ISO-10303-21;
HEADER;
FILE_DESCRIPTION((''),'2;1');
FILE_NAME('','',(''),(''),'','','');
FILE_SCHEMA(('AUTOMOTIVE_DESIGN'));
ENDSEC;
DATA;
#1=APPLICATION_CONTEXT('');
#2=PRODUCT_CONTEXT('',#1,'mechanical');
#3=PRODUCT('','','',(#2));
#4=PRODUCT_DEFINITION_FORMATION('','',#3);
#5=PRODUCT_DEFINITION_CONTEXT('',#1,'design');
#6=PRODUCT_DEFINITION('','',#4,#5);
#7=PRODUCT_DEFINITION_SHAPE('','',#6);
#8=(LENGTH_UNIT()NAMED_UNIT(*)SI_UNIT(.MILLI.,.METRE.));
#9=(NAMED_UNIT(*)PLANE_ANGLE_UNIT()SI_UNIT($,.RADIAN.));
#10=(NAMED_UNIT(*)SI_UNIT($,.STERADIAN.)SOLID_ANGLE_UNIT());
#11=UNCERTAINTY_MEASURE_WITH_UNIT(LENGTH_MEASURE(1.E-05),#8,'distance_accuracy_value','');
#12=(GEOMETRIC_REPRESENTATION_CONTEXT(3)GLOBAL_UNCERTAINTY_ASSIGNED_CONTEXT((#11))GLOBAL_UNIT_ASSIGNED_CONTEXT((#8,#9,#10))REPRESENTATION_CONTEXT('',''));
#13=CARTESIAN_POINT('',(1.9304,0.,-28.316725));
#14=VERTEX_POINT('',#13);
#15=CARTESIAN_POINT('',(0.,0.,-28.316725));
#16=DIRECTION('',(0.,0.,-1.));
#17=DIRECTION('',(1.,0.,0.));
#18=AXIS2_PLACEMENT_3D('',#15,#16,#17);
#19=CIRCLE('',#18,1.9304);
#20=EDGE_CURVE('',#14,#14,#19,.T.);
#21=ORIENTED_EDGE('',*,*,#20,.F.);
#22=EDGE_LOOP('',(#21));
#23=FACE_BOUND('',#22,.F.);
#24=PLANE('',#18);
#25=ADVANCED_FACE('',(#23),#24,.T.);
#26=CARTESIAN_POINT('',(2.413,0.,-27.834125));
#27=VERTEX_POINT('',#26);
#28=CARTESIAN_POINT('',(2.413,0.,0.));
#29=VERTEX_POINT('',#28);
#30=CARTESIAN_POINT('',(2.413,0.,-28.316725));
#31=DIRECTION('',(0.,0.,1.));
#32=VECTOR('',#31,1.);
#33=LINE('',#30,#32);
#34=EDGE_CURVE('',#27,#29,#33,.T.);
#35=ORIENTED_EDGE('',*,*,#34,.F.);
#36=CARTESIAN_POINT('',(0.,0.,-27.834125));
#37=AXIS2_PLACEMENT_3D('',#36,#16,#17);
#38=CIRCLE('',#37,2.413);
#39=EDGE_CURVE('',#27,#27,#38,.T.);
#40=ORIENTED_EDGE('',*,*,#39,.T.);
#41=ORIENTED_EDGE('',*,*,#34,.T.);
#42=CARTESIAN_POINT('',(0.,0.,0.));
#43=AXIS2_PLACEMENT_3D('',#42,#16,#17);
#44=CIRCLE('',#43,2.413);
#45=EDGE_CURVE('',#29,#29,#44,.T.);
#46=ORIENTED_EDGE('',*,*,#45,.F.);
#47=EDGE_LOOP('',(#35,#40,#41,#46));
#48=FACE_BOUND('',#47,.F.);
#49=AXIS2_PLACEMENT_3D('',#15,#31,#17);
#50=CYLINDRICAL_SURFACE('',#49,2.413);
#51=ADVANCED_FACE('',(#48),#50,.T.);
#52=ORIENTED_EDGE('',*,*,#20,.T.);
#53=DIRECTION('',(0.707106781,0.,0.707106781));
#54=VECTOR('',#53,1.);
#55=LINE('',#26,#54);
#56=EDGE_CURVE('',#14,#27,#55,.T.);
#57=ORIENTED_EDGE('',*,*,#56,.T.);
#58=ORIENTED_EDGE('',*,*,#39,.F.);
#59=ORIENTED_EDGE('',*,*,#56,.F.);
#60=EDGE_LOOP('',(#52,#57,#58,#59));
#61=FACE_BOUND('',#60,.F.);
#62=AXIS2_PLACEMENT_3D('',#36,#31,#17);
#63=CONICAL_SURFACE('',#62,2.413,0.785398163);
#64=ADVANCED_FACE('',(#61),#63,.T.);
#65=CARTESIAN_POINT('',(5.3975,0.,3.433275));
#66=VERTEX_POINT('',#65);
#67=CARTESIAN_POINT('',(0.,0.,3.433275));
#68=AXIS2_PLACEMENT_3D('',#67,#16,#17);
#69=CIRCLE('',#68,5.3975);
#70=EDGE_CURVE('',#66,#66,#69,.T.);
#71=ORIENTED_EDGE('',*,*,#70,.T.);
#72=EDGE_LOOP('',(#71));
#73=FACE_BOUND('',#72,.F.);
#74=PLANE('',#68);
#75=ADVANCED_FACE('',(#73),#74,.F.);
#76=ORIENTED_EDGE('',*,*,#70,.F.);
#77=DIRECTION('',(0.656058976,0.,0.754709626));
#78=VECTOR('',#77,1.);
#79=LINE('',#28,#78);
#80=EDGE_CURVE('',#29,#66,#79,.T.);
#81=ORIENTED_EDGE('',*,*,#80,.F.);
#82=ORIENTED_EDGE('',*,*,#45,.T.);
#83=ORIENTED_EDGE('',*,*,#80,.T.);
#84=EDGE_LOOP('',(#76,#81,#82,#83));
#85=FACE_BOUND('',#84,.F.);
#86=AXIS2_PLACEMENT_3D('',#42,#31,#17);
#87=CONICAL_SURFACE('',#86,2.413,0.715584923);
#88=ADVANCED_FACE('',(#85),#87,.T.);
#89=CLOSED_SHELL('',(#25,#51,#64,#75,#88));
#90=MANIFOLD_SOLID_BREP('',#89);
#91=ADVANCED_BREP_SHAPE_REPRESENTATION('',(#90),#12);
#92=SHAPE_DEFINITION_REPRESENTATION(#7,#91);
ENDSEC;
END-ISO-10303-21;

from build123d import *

# Parameters (mm, degrees)
F2_SIZE = 0.4826


with BuildPart() as f1:
    # F0 (on Front) → F1 (revolve)
    with BuildSketch(Plane.XZ):
        Polygon((5.3975, 3.433275), (0, 3.433275), (0, -28.316725), (2.413, -28.316725), (2.413, 0), align=None)
    revolve(axis=Axis((0, 0, -1.467701), (0, 0, -1)))

    # F2
    f2_edges = [f1.edges().sort_by_distance(p)[0] for p in [
        (-2.413, 0, -28.316725),
    ]]
    chamfer(f2_edges, length=F2_SIZE)


solid = f1.part
